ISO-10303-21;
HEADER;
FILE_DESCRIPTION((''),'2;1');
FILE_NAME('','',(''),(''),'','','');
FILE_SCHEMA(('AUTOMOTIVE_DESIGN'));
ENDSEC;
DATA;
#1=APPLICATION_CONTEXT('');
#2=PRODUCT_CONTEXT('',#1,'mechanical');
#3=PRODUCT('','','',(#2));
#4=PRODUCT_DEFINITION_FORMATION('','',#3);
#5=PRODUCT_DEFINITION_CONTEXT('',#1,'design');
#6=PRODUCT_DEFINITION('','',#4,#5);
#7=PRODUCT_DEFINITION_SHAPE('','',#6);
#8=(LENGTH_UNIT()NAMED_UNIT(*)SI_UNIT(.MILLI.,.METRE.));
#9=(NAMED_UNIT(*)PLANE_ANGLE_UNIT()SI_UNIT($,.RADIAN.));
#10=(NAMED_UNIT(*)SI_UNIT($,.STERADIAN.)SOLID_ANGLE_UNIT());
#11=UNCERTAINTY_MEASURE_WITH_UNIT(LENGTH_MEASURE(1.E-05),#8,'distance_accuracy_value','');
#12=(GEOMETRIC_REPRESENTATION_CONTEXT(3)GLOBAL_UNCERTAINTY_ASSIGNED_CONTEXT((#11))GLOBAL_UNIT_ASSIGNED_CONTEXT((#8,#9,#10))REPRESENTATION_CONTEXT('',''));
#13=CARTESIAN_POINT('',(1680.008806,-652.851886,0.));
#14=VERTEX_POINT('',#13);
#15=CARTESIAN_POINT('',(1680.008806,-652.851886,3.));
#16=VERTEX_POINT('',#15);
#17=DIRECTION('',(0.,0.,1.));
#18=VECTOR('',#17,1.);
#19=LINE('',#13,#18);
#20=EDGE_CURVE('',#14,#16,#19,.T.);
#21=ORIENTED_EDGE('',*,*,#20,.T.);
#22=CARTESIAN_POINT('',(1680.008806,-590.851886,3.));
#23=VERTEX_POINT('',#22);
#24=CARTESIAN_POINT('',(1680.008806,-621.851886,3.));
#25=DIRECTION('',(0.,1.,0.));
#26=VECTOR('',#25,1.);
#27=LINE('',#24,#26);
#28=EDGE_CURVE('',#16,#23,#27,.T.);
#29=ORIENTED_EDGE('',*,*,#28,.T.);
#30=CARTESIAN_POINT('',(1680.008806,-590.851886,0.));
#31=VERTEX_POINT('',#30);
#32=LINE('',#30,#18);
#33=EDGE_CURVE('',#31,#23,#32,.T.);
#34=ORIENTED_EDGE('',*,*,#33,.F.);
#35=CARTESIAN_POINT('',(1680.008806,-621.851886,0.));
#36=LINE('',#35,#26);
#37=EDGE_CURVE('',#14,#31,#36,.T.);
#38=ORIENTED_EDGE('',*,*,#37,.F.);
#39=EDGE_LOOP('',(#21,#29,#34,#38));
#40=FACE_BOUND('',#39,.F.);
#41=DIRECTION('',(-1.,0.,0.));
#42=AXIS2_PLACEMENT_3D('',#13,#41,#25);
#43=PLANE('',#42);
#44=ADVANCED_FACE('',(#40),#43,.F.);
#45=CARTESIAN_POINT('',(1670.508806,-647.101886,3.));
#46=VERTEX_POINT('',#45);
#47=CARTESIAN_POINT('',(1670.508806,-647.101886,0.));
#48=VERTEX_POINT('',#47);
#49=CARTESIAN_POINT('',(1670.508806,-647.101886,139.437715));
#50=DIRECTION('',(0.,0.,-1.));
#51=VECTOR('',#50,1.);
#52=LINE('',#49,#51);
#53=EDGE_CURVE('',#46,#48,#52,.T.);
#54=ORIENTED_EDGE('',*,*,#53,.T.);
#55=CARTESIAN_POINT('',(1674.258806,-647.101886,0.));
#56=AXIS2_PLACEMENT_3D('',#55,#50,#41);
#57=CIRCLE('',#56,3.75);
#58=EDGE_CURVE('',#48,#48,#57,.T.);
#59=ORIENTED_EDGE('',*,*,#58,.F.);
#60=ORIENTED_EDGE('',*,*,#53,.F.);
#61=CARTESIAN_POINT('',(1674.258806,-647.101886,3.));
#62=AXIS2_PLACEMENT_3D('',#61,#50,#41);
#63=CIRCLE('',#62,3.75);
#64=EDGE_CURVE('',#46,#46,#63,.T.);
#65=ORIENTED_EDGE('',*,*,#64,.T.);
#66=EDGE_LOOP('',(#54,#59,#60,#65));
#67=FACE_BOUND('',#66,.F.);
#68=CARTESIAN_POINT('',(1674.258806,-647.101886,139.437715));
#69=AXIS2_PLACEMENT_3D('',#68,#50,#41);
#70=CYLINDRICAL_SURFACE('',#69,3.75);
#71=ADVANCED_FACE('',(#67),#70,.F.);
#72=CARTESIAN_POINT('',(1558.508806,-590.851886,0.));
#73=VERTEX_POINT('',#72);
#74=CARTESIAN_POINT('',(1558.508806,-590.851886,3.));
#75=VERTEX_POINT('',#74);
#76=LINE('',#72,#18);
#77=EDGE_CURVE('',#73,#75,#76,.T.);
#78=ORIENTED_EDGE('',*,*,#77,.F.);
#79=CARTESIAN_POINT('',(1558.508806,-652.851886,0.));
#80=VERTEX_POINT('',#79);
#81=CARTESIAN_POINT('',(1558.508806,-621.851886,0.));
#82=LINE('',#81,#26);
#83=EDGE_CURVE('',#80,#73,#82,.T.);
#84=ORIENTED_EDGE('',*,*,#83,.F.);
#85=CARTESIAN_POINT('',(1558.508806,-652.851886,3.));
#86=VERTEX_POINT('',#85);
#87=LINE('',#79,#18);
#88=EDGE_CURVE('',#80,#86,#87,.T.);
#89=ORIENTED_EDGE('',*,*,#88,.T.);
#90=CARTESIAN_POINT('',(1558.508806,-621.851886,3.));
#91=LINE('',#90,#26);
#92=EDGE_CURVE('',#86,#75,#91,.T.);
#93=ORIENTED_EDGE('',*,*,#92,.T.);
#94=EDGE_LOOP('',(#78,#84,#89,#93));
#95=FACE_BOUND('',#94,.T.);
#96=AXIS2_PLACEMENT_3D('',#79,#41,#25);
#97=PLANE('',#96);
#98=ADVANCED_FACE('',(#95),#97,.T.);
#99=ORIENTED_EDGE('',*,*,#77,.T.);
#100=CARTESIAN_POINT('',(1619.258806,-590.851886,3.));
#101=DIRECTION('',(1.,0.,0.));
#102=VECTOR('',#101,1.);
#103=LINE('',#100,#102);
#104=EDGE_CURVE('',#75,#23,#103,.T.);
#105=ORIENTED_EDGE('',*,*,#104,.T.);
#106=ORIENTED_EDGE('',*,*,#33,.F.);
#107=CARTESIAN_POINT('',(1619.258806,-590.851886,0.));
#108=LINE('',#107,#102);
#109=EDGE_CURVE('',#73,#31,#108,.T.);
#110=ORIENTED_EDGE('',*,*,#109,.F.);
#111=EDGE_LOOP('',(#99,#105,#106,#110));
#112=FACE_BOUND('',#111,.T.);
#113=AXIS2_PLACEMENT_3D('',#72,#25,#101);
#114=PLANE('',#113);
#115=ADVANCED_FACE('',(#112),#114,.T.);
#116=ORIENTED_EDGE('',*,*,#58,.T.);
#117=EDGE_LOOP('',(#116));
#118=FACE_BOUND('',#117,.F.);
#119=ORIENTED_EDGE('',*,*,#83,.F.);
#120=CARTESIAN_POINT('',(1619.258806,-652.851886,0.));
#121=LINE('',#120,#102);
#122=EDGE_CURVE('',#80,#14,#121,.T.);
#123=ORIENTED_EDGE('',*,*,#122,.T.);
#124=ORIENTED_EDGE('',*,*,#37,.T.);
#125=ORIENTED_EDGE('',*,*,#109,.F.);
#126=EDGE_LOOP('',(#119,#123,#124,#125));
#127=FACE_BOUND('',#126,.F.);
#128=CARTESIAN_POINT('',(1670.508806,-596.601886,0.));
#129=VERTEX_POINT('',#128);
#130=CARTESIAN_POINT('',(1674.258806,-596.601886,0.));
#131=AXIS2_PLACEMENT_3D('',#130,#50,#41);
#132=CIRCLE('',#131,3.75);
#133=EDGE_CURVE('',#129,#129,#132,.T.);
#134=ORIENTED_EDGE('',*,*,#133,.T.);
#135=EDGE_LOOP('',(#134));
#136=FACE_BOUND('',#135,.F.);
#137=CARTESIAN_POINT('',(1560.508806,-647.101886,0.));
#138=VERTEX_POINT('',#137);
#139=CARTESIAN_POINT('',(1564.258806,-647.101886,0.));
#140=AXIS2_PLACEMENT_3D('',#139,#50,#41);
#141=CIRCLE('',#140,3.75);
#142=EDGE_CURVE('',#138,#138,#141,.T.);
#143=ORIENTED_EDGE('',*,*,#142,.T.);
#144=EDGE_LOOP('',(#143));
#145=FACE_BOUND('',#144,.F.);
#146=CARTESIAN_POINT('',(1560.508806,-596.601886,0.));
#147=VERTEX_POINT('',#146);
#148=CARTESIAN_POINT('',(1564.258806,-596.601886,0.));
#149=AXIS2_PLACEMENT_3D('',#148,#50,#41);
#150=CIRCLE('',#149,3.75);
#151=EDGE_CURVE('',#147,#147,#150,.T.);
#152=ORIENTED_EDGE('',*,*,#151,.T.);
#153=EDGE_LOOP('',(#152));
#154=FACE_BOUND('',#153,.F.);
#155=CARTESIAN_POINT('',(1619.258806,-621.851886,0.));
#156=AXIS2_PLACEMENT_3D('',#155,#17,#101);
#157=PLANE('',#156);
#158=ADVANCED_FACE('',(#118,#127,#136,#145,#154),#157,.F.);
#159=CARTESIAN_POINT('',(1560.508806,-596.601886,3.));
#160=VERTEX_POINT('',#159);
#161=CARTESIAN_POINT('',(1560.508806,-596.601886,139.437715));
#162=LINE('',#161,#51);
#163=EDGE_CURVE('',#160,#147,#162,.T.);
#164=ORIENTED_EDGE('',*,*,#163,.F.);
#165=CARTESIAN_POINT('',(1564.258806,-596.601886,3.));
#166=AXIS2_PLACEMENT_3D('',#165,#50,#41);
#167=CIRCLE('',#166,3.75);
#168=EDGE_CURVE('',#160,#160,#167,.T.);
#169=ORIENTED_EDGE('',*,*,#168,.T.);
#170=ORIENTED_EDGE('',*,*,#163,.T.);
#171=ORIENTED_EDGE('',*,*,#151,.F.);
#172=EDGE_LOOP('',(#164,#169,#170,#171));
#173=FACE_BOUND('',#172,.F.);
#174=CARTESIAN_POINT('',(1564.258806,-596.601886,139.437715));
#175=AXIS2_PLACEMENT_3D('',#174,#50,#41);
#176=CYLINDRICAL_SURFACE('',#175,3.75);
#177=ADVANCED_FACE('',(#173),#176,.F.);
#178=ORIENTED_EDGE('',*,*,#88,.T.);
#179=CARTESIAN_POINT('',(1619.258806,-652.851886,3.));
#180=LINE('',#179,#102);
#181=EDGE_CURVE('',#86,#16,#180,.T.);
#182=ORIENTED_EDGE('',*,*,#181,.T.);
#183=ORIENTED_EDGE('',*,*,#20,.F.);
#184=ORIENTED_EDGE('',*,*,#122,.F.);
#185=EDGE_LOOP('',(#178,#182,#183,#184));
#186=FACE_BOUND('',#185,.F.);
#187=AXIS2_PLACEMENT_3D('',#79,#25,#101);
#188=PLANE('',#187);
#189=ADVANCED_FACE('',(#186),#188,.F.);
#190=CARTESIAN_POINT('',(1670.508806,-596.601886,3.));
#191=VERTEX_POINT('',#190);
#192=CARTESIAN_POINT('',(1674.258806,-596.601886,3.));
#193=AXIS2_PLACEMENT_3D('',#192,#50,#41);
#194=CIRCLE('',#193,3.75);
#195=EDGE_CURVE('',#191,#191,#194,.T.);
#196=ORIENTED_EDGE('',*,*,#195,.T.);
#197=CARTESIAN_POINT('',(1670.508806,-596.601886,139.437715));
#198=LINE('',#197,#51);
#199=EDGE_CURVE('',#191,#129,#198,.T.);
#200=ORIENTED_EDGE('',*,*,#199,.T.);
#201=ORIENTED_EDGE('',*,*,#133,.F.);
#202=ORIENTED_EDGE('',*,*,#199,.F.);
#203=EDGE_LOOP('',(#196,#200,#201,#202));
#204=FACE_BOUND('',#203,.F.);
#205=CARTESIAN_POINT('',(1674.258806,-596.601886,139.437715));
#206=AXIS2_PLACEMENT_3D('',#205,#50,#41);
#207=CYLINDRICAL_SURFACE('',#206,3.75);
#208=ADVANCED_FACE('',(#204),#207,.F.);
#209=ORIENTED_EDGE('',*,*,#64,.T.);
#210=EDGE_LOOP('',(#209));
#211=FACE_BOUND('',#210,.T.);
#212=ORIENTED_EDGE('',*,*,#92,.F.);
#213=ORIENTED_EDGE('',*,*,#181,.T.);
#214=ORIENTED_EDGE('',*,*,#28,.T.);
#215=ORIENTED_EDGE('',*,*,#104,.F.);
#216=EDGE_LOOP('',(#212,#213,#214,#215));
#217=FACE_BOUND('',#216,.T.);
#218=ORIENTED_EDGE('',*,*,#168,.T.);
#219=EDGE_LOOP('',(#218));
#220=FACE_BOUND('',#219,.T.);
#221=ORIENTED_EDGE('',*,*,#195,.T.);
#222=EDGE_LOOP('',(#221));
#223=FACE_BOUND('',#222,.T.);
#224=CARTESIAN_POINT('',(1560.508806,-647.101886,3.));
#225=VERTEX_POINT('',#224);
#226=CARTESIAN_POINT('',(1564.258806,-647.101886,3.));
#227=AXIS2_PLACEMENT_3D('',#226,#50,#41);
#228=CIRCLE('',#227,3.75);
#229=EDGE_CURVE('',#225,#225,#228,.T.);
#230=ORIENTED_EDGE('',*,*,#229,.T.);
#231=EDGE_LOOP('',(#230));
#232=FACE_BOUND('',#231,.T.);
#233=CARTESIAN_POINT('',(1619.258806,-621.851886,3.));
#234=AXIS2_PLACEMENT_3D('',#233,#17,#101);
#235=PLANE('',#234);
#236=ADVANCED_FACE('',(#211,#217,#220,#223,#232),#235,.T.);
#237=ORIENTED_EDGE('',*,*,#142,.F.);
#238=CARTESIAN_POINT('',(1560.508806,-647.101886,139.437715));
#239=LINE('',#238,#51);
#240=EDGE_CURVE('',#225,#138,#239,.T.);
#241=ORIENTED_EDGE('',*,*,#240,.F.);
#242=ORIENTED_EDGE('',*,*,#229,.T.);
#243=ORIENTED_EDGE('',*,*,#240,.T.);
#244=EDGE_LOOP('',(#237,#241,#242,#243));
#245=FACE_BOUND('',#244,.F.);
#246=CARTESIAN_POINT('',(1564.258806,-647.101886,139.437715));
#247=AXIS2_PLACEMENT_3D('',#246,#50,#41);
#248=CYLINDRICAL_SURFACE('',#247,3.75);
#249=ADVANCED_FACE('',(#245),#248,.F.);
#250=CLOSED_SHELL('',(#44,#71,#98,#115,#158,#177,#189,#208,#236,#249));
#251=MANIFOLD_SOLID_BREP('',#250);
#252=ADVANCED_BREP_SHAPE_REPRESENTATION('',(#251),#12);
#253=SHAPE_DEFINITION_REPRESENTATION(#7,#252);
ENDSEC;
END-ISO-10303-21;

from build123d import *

# Parameters (mm, degrees)
F0_W     = 121.5
F0_H     = 62
F1_DEPTH = 3
F3_D     = 7.5
F5_D     = 7.5
F7_D     = 7.5


with BuildPart() as f1:
    # F0 (on Top) → F1 (new body)
    with BuildSketch(Plane.XY):
        with Locations((1619.258806, -621.851886)):
            Rectangle(F0_W, F0_H)
    extrude(amount=F1_DEPTH)

    # F3 (through all)
    with Locations(Plane.XY.offset(3)):
        with Locations((1564.258806, -647.101886)):
            Hole(F3_D / 2)

    # F5 (through all)
    with Locations(Plane.XY.offset(3)):
        with Locations((1564.258806, -596.601886)):
            Hole(F5_D / 2)

    # F7 (through all)
    with Locations(Plane.XY.offset(3)):
        with Locations((1674.258806, -596.601886), (1674.258806, -647.101886)):
            Hole(F7_D / 2)


solid = f1.part
